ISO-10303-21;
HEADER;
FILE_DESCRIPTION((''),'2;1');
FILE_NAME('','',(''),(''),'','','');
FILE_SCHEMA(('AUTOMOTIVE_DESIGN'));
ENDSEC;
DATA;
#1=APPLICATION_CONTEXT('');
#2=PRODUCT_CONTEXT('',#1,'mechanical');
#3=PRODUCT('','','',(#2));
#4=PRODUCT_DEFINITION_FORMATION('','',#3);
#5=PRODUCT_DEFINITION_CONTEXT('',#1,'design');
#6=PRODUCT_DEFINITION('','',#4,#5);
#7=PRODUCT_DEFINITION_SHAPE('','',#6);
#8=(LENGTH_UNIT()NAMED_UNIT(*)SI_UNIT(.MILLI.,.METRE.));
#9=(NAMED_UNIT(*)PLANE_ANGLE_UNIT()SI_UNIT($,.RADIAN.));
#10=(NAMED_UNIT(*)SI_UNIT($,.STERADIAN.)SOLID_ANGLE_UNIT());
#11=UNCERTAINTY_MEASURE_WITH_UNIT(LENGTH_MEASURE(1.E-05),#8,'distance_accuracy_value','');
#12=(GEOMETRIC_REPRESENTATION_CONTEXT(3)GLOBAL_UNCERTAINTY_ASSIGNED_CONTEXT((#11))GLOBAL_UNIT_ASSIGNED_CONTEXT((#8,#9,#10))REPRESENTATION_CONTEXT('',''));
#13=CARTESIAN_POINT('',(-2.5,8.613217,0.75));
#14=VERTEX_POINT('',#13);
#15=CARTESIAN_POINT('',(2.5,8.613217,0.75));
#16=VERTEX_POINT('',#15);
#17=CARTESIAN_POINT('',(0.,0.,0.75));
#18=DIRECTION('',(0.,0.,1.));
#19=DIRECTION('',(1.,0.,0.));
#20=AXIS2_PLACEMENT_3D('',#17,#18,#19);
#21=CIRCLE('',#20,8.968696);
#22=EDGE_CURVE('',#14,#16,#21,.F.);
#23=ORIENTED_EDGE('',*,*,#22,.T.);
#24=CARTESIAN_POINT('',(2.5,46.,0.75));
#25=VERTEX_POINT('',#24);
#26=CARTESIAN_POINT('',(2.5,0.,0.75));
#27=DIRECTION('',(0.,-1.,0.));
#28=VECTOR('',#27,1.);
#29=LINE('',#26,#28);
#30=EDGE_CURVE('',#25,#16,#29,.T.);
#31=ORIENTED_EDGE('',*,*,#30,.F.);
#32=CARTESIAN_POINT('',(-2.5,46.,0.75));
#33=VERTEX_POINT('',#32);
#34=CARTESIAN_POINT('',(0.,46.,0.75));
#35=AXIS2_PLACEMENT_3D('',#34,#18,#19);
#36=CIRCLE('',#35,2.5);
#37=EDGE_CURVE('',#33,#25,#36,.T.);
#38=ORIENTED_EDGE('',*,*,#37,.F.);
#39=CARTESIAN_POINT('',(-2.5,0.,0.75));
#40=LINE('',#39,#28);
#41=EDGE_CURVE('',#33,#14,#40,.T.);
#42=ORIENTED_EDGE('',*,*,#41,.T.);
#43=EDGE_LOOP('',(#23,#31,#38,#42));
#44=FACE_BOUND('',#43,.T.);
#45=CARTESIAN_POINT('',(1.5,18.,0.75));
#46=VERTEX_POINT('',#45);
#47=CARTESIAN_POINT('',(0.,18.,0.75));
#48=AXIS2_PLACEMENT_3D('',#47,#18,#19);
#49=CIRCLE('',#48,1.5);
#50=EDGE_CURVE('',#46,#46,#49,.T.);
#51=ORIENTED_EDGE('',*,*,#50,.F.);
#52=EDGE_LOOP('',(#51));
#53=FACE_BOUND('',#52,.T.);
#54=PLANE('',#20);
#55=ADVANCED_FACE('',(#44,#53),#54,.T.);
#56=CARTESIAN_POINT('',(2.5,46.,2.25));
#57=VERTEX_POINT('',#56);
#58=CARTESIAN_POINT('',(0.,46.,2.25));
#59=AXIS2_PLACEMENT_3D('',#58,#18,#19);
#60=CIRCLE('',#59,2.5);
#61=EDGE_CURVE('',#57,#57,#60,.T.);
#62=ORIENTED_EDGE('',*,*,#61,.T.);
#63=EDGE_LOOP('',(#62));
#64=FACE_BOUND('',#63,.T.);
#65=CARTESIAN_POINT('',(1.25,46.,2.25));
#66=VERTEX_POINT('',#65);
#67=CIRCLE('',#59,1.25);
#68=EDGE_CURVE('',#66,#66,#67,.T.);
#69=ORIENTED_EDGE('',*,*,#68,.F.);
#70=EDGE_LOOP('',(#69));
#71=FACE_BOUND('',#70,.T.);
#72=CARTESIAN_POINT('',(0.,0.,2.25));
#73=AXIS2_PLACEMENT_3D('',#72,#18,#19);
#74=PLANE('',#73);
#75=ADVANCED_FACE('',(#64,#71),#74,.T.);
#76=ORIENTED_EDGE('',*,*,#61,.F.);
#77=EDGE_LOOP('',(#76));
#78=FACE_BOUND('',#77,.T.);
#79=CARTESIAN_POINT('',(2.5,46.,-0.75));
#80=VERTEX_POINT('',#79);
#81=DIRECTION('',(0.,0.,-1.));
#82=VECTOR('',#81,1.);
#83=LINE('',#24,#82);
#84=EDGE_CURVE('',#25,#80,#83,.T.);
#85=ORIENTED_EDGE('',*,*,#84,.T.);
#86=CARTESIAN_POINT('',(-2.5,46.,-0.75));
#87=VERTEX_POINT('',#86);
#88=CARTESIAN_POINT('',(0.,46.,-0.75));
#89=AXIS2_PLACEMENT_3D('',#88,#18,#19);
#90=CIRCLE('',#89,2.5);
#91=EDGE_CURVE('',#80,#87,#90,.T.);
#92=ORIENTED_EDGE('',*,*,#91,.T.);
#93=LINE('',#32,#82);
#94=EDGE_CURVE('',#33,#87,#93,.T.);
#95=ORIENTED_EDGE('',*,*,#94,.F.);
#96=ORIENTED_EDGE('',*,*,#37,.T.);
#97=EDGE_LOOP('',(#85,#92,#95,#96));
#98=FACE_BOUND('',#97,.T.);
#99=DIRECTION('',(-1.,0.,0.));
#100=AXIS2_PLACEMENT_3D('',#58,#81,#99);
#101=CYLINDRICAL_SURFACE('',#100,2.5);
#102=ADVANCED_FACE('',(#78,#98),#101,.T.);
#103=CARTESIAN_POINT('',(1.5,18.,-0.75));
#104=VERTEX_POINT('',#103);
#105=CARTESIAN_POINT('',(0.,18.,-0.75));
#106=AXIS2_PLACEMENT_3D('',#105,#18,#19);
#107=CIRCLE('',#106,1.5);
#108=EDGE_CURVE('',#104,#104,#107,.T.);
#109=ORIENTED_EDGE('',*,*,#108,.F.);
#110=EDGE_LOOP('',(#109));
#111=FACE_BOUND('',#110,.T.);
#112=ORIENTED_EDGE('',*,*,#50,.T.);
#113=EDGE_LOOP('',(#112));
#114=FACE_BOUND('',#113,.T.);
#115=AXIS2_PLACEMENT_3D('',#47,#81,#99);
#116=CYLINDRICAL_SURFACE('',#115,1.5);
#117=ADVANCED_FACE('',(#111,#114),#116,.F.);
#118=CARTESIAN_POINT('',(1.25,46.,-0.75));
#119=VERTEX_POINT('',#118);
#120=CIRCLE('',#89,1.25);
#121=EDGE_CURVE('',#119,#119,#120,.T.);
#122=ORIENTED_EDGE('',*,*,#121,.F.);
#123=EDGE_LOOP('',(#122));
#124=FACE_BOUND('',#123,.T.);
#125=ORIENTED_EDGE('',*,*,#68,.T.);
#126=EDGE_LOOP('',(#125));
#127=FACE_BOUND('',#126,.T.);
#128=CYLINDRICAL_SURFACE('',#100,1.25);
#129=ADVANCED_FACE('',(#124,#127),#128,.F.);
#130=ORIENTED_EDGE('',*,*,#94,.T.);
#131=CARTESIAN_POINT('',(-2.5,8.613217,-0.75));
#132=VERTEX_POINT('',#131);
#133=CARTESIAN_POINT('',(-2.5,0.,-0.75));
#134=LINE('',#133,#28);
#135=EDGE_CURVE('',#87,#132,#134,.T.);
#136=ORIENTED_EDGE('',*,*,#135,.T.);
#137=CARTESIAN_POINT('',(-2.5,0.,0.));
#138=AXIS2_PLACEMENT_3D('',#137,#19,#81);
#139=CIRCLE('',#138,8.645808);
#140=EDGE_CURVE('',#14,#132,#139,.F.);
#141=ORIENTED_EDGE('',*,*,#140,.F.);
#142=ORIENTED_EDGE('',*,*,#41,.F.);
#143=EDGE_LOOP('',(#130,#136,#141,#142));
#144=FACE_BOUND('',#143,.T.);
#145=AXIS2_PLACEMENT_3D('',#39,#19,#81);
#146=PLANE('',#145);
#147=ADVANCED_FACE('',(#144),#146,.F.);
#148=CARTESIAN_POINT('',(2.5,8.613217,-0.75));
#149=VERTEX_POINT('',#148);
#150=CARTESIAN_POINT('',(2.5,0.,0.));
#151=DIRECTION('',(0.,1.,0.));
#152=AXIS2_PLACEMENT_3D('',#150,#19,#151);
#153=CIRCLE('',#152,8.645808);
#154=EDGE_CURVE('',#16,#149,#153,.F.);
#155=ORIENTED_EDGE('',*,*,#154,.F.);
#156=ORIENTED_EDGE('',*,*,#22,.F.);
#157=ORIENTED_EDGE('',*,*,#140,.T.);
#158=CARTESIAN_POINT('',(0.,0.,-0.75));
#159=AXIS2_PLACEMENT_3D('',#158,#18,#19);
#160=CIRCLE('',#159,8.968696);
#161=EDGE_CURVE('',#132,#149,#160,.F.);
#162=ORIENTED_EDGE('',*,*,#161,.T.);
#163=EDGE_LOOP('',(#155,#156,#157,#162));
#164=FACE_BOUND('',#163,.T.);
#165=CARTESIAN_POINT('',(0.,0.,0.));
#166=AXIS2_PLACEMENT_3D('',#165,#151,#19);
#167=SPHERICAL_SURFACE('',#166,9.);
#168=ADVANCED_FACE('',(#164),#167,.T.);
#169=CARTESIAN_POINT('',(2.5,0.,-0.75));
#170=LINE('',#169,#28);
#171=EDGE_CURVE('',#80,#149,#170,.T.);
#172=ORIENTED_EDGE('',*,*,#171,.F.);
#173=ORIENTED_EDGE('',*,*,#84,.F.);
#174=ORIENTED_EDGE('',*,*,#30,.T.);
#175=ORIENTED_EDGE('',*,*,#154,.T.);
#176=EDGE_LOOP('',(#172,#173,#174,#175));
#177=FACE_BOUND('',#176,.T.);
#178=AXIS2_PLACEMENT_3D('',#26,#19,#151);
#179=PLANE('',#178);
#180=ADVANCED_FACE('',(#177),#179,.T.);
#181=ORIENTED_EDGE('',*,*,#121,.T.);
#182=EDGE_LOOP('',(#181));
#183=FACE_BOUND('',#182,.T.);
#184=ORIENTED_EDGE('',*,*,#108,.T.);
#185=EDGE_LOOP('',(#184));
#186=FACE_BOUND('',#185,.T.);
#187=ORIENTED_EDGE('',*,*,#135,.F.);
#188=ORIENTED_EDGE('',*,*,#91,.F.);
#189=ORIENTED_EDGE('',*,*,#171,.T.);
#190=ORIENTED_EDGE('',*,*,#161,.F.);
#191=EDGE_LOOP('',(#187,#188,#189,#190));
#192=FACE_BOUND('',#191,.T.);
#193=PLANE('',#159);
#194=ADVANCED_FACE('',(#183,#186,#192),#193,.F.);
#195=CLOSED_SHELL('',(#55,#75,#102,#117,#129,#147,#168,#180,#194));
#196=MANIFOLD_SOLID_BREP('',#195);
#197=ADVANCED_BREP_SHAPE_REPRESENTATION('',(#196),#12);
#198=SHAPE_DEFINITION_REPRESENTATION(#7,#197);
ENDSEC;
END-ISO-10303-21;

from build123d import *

# Parameters (mm, degrees)
SKETCH2_R                = 1.5
BOSS_EXTRUDE1_DEPTH      = 0.75
BOSS_EXTRUDE2_DEPTH      = 2.25
BOSS_EXTRUDE2_DEPTH_BACK = 0.75
SKETCH2_3_R              = 1.25


with BuildPart() as part:
    # Sketch1 → Revolve1 (revolve)
    with BuildSketch(Plane.XY):
        with BuildLine():
            Line((0, 9), (0, -9))
            ThreePointArc((0, -9), (-9, 0), (0, 9))
        make_face()
    revolve(axis=Axis((0, 9, 0), (0, -1, 0)))

    # Sketch2 → Boss-Extrude1 (add, symmetric)
    with BuildSketch(Plane.XY):
        with BuildLine():
            Line((2.5, 8.645808233), (2.5, 46))
            ThreePointArc((2.5, 46), (0, 43.5), (-2.5, 46))
            Line((-2.5, 46), (-2.5, 8.645808233))
            Line((-2.5, 8.645808233), (-2.5, 6.974093444))
            Line((-2.5, 6.974093444), (2.5, 6.974093444))
            Line((2.5, 6.974093444), (2.5, 8.645808233))
        make_face()
        with Locations((0, 18)):
            Circle(SKETCH2_R, mode=Mode.SUBTRACT)
    extrude(amount=BOSS_EXTRUDE1_DEPTH, both=True)

    # Sketch2<3> → Boss-Extrude2 (add, two sides: drawn at the far end of the back side and taken through both)
    with BuildSketch(Plane.XY.offset(-BOSS_EXTRUDE2_DEPTH_BACK)):
        with BuildLine():
            ThreePointArc((-2.5, 46), (0, 43.5), (2.5, 46))
            ThreePointArc((2.5, 46), (0, 48.5), (-2.5, 46))
        make_face()
        with Locations((0, 46)):
            Circle(SKETCH2_3_R, mode=Mode.SUBTRACT)
    extrude(amount=BOSS_EXTRUDE2_DEPTH + BOSS_EXTRUDE2_DEPTH_BACK)


solid = part.part
